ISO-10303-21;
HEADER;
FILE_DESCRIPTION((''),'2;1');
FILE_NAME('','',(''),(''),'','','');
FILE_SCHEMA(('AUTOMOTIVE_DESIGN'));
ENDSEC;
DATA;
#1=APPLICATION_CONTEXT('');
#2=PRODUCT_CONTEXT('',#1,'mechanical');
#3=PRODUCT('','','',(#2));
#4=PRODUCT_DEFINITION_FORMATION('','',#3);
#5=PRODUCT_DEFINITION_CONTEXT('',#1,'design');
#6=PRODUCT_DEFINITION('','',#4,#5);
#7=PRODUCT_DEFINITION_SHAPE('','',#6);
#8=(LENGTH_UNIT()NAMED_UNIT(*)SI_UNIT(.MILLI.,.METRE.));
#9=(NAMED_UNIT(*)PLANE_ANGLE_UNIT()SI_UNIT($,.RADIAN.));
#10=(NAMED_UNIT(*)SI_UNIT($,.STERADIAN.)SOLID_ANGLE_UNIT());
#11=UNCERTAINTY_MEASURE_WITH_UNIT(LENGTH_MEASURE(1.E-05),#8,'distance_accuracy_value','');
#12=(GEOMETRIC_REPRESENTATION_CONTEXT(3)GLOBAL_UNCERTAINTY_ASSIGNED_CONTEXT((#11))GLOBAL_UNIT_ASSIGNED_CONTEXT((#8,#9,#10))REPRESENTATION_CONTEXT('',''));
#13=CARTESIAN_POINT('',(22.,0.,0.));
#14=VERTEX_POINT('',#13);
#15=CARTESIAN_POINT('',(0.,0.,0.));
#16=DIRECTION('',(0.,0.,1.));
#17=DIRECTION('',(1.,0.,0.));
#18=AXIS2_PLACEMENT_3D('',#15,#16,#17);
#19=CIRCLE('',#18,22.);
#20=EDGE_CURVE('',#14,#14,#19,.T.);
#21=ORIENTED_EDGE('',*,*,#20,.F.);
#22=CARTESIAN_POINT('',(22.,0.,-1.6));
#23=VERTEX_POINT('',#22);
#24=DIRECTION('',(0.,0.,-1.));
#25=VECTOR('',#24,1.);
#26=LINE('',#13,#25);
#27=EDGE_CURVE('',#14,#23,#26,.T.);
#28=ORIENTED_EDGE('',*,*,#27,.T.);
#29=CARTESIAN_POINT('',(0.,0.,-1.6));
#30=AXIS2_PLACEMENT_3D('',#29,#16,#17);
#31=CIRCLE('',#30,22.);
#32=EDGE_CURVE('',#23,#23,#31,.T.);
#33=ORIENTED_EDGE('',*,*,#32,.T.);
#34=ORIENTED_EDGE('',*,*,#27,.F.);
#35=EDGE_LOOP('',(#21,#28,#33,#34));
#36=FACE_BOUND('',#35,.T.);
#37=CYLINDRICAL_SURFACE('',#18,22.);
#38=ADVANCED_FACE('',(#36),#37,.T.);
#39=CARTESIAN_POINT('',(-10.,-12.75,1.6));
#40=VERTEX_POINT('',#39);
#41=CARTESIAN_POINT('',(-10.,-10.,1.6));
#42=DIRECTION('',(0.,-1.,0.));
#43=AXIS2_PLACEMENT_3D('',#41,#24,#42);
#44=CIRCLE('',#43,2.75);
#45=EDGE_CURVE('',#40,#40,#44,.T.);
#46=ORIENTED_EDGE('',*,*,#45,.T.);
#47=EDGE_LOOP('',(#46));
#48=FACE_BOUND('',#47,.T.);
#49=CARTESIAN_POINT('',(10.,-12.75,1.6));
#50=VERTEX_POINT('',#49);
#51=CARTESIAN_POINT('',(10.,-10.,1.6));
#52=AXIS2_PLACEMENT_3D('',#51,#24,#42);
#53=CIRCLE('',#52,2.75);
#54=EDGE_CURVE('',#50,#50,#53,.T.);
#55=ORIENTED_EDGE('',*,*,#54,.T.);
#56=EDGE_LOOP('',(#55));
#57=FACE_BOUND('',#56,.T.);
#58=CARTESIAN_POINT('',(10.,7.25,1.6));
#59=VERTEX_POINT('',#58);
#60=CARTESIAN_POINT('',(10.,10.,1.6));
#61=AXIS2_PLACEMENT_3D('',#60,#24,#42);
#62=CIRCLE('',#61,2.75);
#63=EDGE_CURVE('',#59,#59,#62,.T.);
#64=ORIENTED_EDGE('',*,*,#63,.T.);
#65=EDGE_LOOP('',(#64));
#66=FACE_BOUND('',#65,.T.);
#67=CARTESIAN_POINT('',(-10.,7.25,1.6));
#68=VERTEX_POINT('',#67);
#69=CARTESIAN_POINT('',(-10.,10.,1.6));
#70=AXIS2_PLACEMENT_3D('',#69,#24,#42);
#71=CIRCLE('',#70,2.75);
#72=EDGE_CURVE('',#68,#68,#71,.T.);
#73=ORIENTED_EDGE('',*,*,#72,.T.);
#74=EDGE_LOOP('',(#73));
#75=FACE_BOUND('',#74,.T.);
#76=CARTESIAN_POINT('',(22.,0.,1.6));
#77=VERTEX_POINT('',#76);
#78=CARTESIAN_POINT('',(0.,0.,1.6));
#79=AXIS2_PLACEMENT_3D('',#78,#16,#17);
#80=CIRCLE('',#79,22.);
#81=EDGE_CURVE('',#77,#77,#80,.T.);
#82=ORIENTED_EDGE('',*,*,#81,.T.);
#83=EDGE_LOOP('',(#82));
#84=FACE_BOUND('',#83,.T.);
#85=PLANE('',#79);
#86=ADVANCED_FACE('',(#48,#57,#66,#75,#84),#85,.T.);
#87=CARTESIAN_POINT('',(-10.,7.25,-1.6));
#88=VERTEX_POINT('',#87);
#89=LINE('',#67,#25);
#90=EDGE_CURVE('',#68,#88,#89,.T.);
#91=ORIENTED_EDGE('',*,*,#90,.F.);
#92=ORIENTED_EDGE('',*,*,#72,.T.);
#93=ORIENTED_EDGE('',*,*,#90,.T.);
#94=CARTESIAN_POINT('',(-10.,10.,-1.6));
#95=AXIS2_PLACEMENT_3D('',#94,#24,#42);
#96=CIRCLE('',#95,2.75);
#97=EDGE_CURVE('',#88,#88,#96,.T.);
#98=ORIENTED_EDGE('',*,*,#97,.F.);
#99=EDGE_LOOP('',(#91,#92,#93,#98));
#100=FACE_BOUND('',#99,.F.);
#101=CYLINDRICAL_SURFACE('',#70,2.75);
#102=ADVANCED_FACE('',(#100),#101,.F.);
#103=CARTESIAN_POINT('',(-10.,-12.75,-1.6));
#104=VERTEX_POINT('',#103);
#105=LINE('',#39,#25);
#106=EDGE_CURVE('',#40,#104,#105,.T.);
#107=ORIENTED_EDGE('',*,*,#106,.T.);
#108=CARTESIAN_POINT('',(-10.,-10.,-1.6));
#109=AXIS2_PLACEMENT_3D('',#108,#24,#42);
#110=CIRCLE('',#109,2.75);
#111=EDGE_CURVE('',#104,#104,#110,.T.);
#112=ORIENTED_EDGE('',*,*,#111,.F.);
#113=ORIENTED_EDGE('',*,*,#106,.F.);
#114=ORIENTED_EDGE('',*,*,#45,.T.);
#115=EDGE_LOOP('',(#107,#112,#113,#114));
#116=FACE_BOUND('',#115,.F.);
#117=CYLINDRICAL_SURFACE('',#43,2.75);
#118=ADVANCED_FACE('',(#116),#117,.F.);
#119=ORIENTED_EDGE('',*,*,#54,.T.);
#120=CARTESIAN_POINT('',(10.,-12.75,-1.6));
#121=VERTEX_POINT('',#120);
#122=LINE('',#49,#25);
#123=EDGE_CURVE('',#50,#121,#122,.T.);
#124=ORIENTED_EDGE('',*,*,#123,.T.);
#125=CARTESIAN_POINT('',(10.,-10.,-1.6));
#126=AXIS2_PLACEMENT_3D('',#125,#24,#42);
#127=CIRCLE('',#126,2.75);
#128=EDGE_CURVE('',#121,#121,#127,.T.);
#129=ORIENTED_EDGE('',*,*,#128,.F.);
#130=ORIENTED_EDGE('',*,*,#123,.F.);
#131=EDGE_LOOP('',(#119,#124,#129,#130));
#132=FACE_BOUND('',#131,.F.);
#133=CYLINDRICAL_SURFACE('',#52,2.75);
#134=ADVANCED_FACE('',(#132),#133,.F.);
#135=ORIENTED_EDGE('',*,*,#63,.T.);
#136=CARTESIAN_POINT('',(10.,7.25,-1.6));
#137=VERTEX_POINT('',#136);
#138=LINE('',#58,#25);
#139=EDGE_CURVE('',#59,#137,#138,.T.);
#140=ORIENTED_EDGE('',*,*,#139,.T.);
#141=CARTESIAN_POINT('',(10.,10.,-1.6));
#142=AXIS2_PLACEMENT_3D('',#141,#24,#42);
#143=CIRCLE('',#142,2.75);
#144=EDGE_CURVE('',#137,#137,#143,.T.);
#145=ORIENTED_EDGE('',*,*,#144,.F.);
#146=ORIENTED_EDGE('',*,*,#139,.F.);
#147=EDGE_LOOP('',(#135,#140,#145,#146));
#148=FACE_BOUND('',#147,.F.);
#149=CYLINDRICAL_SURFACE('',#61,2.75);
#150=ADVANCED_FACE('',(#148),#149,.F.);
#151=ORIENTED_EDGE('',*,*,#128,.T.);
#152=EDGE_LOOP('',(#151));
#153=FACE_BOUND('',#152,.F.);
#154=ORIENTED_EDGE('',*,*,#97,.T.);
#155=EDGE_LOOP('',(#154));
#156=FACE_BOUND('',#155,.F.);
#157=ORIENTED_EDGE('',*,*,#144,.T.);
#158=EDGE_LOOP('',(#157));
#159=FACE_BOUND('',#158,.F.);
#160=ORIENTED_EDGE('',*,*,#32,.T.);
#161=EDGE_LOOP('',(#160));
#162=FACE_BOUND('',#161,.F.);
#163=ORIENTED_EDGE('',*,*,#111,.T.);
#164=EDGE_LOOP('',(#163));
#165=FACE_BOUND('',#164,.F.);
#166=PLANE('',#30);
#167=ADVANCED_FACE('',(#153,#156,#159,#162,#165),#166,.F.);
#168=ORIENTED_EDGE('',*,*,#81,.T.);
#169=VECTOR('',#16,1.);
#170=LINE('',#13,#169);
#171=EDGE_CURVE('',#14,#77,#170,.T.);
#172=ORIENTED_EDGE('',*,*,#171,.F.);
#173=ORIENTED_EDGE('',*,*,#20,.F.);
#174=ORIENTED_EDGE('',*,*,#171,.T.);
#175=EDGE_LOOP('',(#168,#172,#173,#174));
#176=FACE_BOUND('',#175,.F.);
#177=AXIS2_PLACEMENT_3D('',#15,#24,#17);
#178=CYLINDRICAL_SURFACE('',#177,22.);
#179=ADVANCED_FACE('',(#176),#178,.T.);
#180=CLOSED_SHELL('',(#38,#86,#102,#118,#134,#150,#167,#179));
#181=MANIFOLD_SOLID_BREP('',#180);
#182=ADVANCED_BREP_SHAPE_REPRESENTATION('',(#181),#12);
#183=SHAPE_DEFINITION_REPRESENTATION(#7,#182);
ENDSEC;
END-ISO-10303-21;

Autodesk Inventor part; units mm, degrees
ref_plane "YZ Plane" through (0, 0, 0) normal (1, 0, 0) x (0, 1, 0)
ref_plane "XZ Plane" through (0, 0, 0) normal (0, 1, 0) x (-1, 0, 0)
ref_plane "XY Plane" through (0, 0, 0) normal (0, 0, 1) x (1, 0, 0)
sketch "スケッチ1" plane through (0, 0, 0) normal (0, 0, 1) x (1, 0, 0)
  circle A0 centre (0, 0) radius 22
  dimension "d0" = 44
extrude "プレート1" add sketch "スケッチ1" along normal mid plane 3.2
sketch "スケッチ2" plane through (0, 0, 1.6) normal (0, 0, 1) x (1, 0, 0)
  line L0 (-10, -10) -> (10, -10)
  line L1 (10, -10) -> (10, 10)
  line L2 (10, 10) -> (-10, 10)
  line L3 (-10, 10) -> (-10, -10)
  line L4 (-10, -10) -> (10, 10) construction
  line L5 (10, -10) -> (-10, 10) construction
  point P0 (0, 0)
  dimension "d2" = 20
  dimension "d3" = 20
hole "穴1" at (-10, 10, 1.6) at (10, 10, 1.6) at (10, -10, 1.6) at (-10, -10, 1.6) direction (0, 0, -1) diameter 5.5 depth 3.2 tip angle 118 clearance for "Flat Head Machine Screw" size "M5" standard "Ansi Metric M Profile"
equation "\"d9\" = Thickness"
equation "\"d1\" = Thickness"
equation "\"BendRadius\" = Thickness"
equation "\"BendReliefWidth\" = Thickness"
equation "\"BendReliefDepth\" = 0.5 * Thickness"
equation "\"CornerReliefSize\" = 4 * Thickness"
equation "\"MinimumRemnant\" = 2 * Thickness"
equation "\"TransitionRadius\" = BendRadius"
equation "\"JacobiRadiusSize\" = BendRadius"
equation "\"GapSize\" = Thickness"
equation "\"Thickness\" = 3.2"
properties part number "scara-plate2" material "鋼、炭素鋼"
